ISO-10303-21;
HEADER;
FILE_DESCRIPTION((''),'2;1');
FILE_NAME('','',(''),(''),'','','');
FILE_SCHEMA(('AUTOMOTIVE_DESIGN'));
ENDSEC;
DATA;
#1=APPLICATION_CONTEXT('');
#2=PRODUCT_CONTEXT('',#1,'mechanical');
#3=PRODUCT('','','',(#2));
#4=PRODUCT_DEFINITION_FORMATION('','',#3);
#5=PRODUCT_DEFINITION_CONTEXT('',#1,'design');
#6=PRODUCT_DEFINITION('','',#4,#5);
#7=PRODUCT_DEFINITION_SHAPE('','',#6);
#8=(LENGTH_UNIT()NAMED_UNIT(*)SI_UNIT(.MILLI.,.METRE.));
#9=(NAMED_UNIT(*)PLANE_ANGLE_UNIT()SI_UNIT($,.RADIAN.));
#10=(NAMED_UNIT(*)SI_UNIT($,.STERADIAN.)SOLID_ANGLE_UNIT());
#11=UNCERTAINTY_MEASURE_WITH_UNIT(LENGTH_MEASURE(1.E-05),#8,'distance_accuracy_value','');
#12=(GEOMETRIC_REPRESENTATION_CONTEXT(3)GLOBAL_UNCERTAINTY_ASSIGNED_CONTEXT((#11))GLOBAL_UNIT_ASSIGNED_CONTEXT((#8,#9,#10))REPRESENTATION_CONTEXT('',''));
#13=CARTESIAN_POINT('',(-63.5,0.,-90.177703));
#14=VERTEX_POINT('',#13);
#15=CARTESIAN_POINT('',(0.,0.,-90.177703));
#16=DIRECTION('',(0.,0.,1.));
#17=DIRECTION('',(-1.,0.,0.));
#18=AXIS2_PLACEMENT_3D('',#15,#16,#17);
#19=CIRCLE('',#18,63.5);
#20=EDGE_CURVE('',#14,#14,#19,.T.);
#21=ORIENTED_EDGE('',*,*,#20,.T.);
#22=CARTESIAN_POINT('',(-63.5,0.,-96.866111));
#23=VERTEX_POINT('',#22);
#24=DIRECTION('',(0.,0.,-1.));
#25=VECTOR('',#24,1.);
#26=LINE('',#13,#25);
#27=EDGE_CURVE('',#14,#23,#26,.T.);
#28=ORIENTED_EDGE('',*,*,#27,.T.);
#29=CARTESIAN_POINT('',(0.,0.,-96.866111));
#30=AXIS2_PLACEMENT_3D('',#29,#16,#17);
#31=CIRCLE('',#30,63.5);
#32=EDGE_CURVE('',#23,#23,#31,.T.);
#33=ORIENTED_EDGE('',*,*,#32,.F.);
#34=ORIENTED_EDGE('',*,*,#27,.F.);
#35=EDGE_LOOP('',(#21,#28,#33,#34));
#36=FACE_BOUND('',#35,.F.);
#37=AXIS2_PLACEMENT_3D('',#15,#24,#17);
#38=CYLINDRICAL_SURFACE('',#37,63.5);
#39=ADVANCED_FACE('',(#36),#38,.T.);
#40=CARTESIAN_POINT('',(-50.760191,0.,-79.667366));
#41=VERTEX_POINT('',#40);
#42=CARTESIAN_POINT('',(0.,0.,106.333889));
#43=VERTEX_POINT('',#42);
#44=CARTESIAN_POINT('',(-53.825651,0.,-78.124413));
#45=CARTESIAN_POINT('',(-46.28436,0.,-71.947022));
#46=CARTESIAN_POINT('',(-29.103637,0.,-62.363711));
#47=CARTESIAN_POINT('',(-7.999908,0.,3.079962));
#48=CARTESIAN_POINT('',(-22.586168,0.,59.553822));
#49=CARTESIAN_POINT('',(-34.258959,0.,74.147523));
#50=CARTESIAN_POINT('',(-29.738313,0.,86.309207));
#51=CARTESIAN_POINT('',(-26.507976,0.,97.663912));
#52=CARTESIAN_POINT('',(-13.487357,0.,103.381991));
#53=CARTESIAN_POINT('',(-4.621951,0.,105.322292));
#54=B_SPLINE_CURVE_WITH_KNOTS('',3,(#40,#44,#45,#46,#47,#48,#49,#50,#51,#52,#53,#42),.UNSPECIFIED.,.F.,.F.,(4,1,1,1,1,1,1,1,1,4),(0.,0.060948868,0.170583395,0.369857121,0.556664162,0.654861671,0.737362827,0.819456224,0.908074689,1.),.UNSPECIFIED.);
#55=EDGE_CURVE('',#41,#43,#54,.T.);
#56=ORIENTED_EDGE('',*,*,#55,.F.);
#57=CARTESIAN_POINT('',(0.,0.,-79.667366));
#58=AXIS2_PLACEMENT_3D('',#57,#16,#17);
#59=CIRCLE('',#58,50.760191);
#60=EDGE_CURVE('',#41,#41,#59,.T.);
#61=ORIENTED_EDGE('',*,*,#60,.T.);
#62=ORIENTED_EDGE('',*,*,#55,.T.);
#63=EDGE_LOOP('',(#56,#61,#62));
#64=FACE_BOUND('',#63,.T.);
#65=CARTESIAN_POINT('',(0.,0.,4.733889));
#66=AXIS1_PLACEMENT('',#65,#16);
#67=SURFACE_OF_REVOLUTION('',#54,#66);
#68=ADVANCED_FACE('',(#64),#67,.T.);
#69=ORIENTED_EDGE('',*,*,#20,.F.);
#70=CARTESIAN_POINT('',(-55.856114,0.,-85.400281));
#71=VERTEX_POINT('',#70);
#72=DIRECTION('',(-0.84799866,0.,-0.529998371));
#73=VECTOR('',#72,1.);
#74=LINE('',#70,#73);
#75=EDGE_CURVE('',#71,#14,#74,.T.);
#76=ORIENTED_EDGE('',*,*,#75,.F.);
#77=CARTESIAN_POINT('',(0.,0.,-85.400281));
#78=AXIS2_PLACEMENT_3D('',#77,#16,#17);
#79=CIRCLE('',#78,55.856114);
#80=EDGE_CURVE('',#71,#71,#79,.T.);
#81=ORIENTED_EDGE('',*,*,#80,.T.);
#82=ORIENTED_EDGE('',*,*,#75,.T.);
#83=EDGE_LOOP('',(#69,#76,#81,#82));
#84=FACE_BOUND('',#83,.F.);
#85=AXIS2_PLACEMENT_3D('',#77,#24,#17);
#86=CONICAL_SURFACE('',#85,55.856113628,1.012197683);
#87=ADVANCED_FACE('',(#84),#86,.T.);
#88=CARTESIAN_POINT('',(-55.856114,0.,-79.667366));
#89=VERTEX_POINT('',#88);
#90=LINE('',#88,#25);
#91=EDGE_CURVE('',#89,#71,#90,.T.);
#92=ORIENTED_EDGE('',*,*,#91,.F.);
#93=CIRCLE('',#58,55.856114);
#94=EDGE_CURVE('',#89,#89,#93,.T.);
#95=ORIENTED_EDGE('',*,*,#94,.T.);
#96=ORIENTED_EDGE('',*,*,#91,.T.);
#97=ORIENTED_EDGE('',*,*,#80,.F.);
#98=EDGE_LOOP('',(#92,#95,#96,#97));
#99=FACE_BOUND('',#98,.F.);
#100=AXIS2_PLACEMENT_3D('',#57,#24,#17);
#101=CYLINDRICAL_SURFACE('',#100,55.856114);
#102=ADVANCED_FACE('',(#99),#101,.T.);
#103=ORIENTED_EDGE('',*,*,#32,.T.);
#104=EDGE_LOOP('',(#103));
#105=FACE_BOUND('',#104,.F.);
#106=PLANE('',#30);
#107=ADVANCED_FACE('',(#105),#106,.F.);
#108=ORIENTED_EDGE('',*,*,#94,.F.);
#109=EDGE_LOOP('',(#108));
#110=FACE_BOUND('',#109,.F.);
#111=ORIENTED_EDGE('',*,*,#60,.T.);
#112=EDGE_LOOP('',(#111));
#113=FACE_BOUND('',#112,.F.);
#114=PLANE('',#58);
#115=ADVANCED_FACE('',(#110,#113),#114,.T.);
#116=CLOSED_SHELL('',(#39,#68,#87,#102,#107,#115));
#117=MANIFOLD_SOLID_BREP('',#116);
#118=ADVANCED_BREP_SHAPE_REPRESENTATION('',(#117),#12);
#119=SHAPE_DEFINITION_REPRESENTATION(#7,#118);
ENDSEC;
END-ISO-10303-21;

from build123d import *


with BuildPart() as f1:
    # F0 (on Front) → F1 (revolve)
    with BuildSketch(Plane.XZ):
        with BuildLine():
            Line((-63.5, -96.8661106072), (0, -96.8661106072))
            Line((0, -96.8661106072), (0, 106.3338893928))
            add(Edge.make_bspline(
                [(-50.7601909653, -79.6673662701), (-53.8256505999, -78.1244131866), (-46.2843601681, -71.9470223994), (-29.1036368064, -62.3637107394), (-7.9999078689, 3.0799622523), (-22.5861680065, 59.5538217795), (-34.2589585669, 74.147522566), (-29.7383127987, 86.3092070439), (-26.5079761861, 97.6639116905), (-13.4873573022, 103.3819913108), (-4.6219513206, 105.3222919723), (0, 106.3338893928)],
                knots=[0, 0, 0, 0, 0.0609488681, 0.1705833946, 0.3698571207, 0.5566641619, 0.6548616708, 0.7373628274, 0.8194562242, 0.9080746889, 1, 1, 1, 1], degree=3))
            Line((-50.7601909653, -79.6673662701), (-55.856113628, -79.6673662701))
            Line((-55.856113628, -79.6673662701), (-55.856113628, -85.4002810491))
            Line((-55.856113628, -85.4002810491), (-63.5, -90.1777028975))
            Line((-63.5, -90.1777028975), (-63.5, -96.8661106072))
        make_face()
    revolve(axis=Axis((0, 0, 4.7338893928), (0, 0, 1)))


solid = f1.part
